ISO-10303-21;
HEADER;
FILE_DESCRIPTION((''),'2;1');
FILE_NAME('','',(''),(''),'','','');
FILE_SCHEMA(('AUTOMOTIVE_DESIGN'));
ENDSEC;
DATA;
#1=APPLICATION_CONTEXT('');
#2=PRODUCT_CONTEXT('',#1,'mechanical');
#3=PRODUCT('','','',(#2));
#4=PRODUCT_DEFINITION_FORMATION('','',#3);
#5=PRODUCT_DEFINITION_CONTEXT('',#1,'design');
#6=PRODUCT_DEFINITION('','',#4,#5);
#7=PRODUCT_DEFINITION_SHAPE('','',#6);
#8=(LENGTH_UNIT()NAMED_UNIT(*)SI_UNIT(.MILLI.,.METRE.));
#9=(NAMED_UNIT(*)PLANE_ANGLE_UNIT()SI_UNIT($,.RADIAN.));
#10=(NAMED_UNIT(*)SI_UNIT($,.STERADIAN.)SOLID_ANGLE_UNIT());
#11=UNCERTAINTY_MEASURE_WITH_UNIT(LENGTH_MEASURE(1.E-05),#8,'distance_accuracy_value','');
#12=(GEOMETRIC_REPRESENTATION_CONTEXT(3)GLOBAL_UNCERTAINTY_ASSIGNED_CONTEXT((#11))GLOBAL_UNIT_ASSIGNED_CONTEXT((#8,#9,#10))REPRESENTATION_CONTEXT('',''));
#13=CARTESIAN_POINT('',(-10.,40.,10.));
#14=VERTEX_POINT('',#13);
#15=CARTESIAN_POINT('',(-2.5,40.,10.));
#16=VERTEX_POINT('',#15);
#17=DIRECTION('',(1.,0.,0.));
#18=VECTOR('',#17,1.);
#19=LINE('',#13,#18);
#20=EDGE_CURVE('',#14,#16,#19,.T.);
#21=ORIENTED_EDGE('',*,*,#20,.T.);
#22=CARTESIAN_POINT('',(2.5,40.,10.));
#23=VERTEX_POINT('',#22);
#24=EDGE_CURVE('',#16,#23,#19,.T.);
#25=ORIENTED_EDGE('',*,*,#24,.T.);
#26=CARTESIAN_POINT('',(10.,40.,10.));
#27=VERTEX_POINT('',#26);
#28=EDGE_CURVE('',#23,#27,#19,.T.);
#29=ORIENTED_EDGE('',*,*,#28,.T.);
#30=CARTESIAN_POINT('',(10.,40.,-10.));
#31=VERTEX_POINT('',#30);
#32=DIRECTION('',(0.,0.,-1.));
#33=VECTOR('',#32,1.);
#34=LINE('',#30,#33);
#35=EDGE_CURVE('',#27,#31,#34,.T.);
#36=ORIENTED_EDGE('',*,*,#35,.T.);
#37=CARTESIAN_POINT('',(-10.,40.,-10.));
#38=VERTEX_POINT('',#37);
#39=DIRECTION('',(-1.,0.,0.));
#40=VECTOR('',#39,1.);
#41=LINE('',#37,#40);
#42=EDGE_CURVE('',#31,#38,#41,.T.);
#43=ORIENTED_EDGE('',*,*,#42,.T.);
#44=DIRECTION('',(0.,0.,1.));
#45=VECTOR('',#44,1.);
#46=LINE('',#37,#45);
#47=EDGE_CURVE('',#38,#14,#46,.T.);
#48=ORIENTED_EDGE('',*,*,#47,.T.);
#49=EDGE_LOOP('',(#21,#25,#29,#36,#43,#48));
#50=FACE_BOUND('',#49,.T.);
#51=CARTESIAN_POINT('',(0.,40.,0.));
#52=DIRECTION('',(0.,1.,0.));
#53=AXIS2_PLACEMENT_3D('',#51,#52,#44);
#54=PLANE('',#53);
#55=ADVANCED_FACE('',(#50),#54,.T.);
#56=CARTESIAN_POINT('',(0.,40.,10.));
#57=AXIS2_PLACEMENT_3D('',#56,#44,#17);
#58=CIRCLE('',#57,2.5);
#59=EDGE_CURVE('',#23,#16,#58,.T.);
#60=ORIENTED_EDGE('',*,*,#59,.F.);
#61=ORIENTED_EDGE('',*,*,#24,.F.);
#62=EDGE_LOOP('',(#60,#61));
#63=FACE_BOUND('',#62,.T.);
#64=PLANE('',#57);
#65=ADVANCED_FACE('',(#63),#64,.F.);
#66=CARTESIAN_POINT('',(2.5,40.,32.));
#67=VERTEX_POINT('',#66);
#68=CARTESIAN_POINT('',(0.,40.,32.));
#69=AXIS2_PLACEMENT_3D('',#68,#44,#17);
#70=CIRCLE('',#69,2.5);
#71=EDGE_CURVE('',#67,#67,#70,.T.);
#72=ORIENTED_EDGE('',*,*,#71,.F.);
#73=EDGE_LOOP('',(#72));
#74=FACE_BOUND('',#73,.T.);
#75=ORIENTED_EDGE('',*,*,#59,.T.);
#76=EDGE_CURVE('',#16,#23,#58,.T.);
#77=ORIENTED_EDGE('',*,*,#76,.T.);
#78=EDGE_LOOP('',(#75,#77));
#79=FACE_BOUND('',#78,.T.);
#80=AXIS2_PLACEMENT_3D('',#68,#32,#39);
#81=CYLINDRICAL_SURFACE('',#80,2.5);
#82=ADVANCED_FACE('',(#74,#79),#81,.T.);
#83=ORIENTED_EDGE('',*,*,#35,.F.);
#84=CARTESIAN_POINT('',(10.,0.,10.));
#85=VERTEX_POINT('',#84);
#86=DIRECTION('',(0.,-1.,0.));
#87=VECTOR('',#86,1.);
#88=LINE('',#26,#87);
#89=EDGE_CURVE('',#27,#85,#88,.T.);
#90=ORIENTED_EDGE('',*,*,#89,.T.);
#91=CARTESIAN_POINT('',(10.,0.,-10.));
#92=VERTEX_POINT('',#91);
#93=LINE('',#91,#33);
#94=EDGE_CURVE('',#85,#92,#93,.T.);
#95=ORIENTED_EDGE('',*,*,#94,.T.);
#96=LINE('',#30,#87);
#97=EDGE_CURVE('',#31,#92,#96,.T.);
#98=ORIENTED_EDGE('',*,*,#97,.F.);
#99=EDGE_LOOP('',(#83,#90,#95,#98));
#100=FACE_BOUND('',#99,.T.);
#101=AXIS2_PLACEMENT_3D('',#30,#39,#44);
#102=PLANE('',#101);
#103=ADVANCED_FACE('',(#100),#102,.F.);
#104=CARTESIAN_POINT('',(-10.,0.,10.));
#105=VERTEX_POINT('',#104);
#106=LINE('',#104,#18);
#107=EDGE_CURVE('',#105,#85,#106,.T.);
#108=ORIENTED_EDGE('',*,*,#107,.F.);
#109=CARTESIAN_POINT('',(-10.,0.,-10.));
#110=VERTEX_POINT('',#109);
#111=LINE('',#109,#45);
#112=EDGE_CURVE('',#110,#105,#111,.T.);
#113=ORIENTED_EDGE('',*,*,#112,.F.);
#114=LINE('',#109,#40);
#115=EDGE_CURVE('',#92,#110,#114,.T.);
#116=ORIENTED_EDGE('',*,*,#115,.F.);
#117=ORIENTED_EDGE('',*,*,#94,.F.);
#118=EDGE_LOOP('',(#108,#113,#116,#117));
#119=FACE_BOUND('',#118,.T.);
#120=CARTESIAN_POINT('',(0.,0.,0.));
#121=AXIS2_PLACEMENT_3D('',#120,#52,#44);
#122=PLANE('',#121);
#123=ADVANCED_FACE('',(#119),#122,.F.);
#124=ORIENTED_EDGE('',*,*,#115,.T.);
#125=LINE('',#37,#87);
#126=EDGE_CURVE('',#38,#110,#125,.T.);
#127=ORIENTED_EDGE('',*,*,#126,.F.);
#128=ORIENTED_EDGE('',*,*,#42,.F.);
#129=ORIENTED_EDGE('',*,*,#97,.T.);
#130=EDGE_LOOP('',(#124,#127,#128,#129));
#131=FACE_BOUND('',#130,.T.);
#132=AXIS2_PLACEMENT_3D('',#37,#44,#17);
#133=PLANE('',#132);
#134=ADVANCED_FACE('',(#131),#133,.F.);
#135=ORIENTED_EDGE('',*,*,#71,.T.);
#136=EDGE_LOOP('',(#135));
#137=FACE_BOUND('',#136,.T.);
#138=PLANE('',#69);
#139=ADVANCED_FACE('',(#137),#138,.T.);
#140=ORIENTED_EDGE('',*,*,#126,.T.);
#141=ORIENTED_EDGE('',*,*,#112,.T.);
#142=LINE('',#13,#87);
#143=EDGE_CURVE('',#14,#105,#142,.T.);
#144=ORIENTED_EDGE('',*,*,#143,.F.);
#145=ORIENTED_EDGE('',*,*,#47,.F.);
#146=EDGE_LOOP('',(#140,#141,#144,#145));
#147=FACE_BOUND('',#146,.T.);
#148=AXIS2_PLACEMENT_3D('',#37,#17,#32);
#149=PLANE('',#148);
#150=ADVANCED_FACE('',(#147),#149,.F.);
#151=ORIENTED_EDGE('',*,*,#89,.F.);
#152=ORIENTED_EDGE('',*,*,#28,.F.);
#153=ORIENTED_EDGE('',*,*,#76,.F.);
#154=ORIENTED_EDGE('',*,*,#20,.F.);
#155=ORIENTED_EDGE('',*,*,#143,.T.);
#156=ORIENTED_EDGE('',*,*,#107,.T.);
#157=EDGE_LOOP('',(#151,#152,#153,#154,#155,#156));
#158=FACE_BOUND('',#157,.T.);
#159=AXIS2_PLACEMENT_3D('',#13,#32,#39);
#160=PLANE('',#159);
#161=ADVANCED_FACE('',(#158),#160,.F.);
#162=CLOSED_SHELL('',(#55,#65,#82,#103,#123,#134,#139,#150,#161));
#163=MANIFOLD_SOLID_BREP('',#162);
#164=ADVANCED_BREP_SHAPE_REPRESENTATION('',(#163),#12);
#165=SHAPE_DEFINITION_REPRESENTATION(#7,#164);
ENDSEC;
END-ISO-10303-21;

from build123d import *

# Parameters (mm, degrees)
SKETCH1_W           = 20
SKETCH1_H           = 20
BOSS_EXTRUDE1_DEPTH = 40
SKETCH5_R           = 2.5
BOSS_EXTRUDE4_DEPTH = 22


with BuildPart() as part:
    # Sketch1 → Boss-Extrude1 (new body)
    with BuildSketch(Plane(origin=(0, 0, 0), x_dir=(1, 0, 0), z_dir=(0, 1, 0))):
        Rectangle(SKETCH1_W, SKETCH1_H)
    extrude(amount=BOSS_EXTRUDE1_DEPTH)

    # Sketch5 → Boss-Extrude4 (add)
    with BuildSketch(Plane.XY.offset(10)):
        with Locations((0, 40)):
            Circle(SKETCH5_R)
    extrude(amount=BOSS_EXTRUDE4_DEPTH)


solid = part.part
